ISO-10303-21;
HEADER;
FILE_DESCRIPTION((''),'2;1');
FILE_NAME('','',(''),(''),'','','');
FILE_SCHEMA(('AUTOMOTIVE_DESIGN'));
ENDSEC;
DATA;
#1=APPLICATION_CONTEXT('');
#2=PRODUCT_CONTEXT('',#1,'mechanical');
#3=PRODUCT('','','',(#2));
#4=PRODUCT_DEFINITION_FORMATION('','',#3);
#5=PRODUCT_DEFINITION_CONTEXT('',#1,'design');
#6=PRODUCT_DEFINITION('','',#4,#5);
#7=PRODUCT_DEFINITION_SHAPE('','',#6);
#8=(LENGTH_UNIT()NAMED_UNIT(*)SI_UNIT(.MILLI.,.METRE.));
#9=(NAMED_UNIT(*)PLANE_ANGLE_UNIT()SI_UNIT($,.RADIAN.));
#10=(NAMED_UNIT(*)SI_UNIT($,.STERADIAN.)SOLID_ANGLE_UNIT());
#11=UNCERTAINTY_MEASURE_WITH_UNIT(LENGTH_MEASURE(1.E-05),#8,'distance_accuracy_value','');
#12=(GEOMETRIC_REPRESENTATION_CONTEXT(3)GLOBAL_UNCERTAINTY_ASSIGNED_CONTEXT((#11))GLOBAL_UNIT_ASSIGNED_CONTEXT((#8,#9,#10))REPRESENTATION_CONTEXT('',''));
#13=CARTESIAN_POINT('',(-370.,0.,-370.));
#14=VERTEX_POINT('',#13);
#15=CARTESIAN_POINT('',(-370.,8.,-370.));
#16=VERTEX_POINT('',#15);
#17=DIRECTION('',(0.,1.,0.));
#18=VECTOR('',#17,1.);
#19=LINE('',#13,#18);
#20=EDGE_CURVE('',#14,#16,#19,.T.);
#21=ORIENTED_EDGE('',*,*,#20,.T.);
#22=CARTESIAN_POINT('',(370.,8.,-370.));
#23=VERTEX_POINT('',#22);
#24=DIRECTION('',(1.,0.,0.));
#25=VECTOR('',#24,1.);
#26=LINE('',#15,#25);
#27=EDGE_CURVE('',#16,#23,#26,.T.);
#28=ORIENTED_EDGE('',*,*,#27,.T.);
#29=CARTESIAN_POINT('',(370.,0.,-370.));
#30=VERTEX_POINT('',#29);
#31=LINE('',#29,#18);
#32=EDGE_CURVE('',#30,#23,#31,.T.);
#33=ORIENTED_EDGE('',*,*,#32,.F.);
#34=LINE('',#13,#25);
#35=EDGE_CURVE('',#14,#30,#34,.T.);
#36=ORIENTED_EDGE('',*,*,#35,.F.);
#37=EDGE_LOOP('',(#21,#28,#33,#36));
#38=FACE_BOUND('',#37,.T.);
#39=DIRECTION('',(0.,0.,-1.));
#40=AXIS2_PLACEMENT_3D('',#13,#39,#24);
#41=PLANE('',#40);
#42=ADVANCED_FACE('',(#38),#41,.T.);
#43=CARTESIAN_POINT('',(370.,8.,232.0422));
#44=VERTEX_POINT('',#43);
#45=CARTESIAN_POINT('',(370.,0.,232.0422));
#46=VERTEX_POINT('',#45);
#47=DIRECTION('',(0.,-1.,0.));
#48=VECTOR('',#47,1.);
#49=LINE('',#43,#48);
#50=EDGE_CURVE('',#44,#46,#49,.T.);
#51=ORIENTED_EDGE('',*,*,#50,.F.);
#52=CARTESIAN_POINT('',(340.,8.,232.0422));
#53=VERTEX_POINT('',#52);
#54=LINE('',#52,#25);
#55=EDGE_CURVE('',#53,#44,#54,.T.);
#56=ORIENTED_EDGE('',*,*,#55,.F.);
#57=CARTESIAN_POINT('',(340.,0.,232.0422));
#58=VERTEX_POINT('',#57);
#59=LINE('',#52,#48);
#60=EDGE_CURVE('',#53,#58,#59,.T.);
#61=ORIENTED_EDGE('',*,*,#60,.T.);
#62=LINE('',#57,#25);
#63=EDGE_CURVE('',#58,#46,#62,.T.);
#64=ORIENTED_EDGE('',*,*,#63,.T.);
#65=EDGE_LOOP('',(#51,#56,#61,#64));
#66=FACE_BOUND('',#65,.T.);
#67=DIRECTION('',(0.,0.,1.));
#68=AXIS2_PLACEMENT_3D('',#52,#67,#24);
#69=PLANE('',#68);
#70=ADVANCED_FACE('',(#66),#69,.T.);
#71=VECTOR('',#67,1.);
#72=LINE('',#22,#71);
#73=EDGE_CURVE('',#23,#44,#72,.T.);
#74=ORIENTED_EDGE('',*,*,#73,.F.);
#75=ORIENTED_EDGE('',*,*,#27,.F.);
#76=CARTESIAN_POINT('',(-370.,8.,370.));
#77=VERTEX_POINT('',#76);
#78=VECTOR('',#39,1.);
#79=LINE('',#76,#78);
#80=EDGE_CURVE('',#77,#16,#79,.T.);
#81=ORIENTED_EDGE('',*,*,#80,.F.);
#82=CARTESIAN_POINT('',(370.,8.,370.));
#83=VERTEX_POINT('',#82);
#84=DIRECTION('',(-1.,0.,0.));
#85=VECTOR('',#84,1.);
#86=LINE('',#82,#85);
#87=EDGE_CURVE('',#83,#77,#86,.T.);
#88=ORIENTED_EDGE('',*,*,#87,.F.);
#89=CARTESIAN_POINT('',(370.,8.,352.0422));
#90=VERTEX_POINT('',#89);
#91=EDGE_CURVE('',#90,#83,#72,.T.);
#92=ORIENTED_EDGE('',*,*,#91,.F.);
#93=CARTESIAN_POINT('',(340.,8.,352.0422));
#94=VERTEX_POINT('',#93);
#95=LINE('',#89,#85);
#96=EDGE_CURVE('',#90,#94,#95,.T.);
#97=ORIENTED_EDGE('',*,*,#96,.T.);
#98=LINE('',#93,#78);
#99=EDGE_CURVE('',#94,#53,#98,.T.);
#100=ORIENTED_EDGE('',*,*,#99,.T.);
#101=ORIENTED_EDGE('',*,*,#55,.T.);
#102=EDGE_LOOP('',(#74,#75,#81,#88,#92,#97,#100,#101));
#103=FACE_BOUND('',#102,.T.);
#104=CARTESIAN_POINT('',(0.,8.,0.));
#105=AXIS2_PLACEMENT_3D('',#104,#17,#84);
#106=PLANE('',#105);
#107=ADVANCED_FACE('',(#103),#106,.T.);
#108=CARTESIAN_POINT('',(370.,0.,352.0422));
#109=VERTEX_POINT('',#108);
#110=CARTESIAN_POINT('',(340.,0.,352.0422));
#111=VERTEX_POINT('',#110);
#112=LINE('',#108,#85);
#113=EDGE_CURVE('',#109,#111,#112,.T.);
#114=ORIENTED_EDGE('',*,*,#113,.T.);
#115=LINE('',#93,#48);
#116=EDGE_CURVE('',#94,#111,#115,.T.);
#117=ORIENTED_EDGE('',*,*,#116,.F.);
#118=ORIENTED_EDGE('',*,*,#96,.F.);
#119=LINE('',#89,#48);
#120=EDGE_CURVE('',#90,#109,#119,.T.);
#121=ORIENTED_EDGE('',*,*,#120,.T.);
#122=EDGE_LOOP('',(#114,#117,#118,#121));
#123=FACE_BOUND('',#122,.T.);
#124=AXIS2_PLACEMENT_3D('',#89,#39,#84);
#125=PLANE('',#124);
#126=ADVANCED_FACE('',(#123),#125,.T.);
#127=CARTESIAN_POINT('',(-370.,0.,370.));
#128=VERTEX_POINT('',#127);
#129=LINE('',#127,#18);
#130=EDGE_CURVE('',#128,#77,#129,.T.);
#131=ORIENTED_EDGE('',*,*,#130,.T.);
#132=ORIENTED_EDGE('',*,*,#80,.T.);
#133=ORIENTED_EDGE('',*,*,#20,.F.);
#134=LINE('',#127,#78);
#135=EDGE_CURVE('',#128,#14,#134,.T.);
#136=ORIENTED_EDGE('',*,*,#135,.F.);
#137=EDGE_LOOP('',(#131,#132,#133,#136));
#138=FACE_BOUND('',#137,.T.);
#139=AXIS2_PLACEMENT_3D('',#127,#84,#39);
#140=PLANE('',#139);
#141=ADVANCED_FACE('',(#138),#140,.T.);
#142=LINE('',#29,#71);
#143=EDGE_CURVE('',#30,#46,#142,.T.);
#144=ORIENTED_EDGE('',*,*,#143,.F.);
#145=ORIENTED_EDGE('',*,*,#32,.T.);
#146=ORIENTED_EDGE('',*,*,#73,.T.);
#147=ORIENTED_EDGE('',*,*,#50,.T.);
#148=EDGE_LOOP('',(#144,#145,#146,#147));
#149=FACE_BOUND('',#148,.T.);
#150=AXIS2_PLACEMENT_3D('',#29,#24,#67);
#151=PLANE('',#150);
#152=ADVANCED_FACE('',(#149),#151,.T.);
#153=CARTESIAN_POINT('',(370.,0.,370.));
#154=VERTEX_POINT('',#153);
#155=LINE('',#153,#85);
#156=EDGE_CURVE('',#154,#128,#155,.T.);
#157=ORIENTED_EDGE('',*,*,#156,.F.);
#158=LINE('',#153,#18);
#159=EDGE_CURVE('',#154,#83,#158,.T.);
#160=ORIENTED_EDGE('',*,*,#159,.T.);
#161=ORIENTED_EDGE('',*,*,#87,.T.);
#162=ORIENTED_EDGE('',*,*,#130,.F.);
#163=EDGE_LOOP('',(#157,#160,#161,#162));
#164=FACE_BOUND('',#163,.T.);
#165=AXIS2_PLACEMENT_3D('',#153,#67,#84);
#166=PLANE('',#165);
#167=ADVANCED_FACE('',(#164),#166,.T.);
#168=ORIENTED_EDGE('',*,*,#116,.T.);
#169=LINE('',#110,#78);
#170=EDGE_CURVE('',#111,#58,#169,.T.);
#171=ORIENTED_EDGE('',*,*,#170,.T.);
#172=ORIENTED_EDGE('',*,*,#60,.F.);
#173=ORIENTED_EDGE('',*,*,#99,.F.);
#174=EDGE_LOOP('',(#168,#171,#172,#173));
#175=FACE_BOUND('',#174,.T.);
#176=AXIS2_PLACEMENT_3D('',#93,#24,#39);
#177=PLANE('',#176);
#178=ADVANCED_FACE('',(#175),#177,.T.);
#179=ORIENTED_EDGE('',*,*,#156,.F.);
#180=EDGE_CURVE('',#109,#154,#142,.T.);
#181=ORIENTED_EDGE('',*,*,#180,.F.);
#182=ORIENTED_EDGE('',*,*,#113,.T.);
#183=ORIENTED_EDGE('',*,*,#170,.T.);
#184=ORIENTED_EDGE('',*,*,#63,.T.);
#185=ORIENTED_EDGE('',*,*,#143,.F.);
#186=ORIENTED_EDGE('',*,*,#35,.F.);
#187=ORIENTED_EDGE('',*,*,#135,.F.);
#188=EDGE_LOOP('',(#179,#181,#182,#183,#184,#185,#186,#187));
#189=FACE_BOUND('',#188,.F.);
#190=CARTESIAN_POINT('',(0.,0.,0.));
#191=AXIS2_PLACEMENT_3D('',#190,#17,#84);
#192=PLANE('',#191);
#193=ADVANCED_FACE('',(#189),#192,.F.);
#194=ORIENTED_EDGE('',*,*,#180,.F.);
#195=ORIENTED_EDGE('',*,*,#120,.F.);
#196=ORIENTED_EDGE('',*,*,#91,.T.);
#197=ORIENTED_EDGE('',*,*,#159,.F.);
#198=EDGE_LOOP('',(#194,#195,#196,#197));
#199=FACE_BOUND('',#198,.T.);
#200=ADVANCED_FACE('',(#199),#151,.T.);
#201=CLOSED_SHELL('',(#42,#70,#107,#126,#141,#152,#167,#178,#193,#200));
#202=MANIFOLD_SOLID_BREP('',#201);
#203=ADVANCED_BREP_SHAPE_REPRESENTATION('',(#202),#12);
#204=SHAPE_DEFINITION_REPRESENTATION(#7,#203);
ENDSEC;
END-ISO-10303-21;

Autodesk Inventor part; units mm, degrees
ref_plane "YZ Plane" through (0, 0, 0) normal (1, 0, 0) x (0, 1, 0)
ref_plane "XZ Plane" through (0, 0, 0) normal (0, 1, 0) x (-1, 0, 0)
ref_plane "XY Plane" through (0, 0, 0) normal (0, 0, 1) x (1, 0, 0)
sketch "Эскиз1" plane through (0, 0, 0) normal (0, 1, 0) x (-1, 0, 0)
  line L0 (-370, 370) -> (370, 370)
  line L1 (370, 370) -> (370, -370)
  line L2 (370, -370) -> (-370, -370)
  line L3 (-370, -370) -> (-370, 370)
  line L4 (-370, 370) -> (370, -370) construction
  line L5 (370, 370) -> (-370, -370) construction
  point P0 (0, 0)
  dimension "d0" = 740
  dimension "d1" = 740
extrude "Выдавливание1" add sketch "Эскиз1" along normal blind 8
sketch "Эскиз2" plane through (0, 8, 0) normal (0, 1, 0) x (1, 0, 0)
  line L0 (370, -370) -> (370, 370) projected
  line L1 (370, -352.0422) -> (340, -352.0422)
  line L2 (340, -352.0422) -> (340, -232.0422)
  line L3 (340, -232.0422) -> (370, -232.0422)
  line L4 (370, -232.0422) -> (370, -352.0422)
  point P0 (0, 0)
  dimension "d4" = 30
  dimension "d5" = 120
extrude "Выдавливание2" cut sketch "Эскиз2" against normal blind 8
properties part number "КВ33.044.005 - Крышка блока управления" material "Дерево (береза)"
